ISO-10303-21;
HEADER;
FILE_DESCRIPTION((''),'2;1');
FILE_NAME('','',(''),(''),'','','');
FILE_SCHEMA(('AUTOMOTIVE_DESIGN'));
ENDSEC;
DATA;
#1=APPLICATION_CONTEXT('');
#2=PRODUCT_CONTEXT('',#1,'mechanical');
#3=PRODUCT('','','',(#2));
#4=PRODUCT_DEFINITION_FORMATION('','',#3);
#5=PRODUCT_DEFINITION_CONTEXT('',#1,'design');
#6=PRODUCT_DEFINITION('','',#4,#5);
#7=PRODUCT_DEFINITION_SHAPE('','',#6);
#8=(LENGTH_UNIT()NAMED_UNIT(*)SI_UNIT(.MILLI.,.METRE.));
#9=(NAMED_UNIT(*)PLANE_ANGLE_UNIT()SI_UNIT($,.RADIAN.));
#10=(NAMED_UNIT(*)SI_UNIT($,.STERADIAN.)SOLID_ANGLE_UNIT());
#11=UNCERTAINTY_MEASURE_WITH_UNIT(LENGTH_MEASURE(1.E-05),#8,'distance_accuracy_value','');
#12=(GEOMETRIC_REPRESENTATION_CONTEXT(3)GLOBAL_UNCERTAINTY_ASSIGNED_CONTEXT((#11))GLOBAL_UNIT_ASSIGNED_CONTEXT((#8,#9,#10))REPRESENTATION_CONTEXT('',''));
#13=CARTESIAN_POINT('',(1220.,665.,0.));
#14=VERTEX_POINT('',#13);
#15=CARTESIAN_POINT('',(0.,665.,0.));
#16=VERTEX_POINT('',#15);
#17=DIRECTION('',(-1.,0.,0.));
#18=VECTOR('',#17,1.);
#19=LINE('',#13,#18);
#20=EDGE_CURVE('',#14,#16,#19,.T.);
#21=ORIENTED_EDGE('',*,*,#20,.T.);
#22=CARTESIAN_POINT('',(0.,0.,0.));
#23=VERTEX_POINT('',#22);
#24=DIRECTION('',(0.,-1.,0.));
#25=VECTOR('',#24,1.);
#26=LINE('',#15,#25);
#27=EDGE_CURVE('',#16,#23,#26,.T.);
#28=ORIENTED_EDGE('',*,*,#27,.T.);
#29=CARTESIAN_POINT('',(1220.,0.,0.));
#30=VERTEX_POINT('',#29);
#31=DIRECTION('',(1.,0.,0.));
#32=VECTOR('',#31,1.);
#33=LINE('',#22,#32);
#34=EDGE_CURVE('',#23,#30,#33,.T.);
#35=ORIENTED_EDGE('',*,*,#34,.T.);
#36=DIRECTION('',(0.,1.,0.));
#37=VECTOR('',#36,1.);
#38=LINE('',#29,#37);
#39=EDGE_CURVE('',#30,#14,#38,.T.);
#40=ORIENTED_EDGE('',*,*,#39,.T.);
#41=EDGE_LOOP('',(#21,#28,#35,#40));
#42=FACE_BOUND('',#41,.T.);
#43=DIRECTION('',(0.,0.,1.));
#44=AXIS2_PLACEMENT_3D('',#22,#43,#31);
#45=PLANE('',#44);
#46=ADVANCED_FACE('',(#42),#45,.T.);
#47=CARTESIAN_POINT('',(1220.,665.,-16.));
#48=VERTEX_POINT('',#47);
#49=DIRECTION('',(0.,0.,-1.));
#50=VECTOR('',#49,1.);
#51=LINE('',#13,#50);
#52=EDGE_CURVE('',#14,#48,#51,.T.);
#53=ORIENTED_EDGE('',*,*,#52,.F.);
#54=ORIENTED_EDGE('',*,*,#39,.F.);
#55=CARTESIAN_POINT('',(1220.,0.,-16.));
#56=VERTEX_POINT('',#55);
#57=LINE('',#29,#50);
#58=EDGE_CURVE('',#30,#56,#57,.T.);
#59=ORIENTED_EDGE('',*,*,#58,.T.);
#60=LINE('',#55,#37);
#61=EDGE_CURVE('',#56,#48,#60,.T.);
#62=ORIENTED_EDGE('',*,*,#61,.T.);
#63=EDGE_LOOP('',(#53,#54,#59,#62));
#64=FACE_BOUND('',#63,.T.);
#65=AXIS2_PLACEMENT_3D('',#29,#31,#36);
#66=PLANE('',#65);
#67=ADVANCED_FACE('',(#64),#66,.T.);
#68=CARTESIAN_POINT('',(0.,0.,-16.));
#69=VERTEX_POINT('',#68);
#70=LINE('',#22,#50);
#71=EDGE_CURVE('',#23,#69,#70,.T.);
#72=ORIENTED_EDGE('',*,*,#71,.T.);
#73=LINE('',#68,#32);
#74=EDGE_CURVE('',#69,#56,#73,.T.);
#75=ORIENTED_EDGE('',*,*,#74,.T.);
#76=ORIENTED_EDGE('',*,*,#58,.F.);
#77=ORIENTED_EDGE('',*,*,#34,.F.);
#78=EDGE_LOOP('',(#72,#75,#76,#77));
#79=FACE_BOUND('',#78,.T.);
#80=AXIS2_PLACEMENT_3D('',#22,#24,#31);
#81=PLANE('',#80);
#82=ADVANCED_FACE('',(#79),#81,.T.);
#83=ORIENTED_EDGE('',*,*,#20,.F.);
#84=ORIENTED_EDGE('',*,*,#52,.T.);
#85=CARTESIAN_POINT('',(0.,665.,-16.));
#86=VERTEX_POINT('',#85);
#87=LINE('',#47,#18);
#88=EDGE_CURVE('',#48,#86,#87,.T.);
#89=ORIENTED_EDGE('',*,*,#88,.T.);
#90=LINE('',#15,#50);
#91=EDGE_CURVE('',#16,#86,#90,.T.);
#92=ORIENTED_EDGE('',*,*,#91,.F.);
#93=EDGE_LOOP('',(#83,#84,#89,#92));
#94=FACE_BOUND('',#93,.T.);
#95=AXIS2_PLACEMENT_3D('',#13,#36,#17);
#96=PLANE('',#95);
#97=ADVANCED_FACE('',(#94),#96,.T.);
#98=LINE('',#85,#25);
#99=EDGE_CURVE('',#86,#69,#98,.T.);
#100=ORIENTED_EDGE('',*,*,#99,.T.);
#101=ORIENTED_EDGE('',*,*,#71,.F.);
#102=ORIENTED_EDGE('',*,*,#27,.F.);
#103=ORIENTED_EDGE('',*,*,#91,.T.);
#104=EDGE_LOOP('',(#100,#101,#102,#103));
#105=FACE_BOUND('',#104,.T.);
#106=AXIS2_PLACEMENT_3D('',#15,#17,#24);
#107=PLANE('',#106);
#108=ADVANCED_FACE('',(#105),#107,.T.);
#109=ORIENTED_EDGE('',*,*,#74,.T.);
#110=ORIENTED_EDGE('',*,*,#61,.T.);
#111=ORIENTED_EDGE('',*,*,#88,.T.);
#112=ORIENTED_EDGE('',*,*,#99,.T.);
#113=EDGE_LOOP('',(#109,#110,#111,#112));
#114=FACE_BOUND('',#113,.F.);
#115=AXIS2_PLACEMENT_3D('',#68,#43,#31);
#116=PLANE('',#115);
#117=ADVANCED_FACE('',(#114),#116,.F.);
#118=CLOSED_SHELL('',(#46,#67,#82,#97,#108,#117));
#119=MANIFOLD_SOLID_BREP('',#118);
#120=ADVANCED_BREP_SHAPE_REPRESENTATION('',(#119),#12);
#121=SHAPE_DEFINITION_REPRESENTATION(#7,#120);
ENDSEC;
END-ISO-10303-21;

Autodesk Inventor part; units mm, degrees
ref_plane "YZ Plane" through (0, 0, 0) normal (1, 0, 0) x (0, 1, 0)
ref_plane "XZ Plane" through (0, 0, 0) normal (0, 1, 0) x (-1, 0, 0)
ref_plane "XY Plane" through (0, 0, 0) normal (0, 0, 1) x (1, 0, 0)
sketch "Sketch1" plane through (0, 0, 0) normal (0, 0, 1) x (1, 0, 0)
  line L0 (0, 0) -> (1220, 0)
  line L1 (1220, 0) -> (1220, 665)
  line L2 (1220, 665) -> (0, 665)
  line L3 (0, 665) -> (0, 0)
  dimension "d0" = 1220
  dimension "d1" = 665
  dimension "d2" = 665
extrude "Extrusion1" add sketch "Sketch1" against normal blind 16
properties part number "anteriorvertical"
